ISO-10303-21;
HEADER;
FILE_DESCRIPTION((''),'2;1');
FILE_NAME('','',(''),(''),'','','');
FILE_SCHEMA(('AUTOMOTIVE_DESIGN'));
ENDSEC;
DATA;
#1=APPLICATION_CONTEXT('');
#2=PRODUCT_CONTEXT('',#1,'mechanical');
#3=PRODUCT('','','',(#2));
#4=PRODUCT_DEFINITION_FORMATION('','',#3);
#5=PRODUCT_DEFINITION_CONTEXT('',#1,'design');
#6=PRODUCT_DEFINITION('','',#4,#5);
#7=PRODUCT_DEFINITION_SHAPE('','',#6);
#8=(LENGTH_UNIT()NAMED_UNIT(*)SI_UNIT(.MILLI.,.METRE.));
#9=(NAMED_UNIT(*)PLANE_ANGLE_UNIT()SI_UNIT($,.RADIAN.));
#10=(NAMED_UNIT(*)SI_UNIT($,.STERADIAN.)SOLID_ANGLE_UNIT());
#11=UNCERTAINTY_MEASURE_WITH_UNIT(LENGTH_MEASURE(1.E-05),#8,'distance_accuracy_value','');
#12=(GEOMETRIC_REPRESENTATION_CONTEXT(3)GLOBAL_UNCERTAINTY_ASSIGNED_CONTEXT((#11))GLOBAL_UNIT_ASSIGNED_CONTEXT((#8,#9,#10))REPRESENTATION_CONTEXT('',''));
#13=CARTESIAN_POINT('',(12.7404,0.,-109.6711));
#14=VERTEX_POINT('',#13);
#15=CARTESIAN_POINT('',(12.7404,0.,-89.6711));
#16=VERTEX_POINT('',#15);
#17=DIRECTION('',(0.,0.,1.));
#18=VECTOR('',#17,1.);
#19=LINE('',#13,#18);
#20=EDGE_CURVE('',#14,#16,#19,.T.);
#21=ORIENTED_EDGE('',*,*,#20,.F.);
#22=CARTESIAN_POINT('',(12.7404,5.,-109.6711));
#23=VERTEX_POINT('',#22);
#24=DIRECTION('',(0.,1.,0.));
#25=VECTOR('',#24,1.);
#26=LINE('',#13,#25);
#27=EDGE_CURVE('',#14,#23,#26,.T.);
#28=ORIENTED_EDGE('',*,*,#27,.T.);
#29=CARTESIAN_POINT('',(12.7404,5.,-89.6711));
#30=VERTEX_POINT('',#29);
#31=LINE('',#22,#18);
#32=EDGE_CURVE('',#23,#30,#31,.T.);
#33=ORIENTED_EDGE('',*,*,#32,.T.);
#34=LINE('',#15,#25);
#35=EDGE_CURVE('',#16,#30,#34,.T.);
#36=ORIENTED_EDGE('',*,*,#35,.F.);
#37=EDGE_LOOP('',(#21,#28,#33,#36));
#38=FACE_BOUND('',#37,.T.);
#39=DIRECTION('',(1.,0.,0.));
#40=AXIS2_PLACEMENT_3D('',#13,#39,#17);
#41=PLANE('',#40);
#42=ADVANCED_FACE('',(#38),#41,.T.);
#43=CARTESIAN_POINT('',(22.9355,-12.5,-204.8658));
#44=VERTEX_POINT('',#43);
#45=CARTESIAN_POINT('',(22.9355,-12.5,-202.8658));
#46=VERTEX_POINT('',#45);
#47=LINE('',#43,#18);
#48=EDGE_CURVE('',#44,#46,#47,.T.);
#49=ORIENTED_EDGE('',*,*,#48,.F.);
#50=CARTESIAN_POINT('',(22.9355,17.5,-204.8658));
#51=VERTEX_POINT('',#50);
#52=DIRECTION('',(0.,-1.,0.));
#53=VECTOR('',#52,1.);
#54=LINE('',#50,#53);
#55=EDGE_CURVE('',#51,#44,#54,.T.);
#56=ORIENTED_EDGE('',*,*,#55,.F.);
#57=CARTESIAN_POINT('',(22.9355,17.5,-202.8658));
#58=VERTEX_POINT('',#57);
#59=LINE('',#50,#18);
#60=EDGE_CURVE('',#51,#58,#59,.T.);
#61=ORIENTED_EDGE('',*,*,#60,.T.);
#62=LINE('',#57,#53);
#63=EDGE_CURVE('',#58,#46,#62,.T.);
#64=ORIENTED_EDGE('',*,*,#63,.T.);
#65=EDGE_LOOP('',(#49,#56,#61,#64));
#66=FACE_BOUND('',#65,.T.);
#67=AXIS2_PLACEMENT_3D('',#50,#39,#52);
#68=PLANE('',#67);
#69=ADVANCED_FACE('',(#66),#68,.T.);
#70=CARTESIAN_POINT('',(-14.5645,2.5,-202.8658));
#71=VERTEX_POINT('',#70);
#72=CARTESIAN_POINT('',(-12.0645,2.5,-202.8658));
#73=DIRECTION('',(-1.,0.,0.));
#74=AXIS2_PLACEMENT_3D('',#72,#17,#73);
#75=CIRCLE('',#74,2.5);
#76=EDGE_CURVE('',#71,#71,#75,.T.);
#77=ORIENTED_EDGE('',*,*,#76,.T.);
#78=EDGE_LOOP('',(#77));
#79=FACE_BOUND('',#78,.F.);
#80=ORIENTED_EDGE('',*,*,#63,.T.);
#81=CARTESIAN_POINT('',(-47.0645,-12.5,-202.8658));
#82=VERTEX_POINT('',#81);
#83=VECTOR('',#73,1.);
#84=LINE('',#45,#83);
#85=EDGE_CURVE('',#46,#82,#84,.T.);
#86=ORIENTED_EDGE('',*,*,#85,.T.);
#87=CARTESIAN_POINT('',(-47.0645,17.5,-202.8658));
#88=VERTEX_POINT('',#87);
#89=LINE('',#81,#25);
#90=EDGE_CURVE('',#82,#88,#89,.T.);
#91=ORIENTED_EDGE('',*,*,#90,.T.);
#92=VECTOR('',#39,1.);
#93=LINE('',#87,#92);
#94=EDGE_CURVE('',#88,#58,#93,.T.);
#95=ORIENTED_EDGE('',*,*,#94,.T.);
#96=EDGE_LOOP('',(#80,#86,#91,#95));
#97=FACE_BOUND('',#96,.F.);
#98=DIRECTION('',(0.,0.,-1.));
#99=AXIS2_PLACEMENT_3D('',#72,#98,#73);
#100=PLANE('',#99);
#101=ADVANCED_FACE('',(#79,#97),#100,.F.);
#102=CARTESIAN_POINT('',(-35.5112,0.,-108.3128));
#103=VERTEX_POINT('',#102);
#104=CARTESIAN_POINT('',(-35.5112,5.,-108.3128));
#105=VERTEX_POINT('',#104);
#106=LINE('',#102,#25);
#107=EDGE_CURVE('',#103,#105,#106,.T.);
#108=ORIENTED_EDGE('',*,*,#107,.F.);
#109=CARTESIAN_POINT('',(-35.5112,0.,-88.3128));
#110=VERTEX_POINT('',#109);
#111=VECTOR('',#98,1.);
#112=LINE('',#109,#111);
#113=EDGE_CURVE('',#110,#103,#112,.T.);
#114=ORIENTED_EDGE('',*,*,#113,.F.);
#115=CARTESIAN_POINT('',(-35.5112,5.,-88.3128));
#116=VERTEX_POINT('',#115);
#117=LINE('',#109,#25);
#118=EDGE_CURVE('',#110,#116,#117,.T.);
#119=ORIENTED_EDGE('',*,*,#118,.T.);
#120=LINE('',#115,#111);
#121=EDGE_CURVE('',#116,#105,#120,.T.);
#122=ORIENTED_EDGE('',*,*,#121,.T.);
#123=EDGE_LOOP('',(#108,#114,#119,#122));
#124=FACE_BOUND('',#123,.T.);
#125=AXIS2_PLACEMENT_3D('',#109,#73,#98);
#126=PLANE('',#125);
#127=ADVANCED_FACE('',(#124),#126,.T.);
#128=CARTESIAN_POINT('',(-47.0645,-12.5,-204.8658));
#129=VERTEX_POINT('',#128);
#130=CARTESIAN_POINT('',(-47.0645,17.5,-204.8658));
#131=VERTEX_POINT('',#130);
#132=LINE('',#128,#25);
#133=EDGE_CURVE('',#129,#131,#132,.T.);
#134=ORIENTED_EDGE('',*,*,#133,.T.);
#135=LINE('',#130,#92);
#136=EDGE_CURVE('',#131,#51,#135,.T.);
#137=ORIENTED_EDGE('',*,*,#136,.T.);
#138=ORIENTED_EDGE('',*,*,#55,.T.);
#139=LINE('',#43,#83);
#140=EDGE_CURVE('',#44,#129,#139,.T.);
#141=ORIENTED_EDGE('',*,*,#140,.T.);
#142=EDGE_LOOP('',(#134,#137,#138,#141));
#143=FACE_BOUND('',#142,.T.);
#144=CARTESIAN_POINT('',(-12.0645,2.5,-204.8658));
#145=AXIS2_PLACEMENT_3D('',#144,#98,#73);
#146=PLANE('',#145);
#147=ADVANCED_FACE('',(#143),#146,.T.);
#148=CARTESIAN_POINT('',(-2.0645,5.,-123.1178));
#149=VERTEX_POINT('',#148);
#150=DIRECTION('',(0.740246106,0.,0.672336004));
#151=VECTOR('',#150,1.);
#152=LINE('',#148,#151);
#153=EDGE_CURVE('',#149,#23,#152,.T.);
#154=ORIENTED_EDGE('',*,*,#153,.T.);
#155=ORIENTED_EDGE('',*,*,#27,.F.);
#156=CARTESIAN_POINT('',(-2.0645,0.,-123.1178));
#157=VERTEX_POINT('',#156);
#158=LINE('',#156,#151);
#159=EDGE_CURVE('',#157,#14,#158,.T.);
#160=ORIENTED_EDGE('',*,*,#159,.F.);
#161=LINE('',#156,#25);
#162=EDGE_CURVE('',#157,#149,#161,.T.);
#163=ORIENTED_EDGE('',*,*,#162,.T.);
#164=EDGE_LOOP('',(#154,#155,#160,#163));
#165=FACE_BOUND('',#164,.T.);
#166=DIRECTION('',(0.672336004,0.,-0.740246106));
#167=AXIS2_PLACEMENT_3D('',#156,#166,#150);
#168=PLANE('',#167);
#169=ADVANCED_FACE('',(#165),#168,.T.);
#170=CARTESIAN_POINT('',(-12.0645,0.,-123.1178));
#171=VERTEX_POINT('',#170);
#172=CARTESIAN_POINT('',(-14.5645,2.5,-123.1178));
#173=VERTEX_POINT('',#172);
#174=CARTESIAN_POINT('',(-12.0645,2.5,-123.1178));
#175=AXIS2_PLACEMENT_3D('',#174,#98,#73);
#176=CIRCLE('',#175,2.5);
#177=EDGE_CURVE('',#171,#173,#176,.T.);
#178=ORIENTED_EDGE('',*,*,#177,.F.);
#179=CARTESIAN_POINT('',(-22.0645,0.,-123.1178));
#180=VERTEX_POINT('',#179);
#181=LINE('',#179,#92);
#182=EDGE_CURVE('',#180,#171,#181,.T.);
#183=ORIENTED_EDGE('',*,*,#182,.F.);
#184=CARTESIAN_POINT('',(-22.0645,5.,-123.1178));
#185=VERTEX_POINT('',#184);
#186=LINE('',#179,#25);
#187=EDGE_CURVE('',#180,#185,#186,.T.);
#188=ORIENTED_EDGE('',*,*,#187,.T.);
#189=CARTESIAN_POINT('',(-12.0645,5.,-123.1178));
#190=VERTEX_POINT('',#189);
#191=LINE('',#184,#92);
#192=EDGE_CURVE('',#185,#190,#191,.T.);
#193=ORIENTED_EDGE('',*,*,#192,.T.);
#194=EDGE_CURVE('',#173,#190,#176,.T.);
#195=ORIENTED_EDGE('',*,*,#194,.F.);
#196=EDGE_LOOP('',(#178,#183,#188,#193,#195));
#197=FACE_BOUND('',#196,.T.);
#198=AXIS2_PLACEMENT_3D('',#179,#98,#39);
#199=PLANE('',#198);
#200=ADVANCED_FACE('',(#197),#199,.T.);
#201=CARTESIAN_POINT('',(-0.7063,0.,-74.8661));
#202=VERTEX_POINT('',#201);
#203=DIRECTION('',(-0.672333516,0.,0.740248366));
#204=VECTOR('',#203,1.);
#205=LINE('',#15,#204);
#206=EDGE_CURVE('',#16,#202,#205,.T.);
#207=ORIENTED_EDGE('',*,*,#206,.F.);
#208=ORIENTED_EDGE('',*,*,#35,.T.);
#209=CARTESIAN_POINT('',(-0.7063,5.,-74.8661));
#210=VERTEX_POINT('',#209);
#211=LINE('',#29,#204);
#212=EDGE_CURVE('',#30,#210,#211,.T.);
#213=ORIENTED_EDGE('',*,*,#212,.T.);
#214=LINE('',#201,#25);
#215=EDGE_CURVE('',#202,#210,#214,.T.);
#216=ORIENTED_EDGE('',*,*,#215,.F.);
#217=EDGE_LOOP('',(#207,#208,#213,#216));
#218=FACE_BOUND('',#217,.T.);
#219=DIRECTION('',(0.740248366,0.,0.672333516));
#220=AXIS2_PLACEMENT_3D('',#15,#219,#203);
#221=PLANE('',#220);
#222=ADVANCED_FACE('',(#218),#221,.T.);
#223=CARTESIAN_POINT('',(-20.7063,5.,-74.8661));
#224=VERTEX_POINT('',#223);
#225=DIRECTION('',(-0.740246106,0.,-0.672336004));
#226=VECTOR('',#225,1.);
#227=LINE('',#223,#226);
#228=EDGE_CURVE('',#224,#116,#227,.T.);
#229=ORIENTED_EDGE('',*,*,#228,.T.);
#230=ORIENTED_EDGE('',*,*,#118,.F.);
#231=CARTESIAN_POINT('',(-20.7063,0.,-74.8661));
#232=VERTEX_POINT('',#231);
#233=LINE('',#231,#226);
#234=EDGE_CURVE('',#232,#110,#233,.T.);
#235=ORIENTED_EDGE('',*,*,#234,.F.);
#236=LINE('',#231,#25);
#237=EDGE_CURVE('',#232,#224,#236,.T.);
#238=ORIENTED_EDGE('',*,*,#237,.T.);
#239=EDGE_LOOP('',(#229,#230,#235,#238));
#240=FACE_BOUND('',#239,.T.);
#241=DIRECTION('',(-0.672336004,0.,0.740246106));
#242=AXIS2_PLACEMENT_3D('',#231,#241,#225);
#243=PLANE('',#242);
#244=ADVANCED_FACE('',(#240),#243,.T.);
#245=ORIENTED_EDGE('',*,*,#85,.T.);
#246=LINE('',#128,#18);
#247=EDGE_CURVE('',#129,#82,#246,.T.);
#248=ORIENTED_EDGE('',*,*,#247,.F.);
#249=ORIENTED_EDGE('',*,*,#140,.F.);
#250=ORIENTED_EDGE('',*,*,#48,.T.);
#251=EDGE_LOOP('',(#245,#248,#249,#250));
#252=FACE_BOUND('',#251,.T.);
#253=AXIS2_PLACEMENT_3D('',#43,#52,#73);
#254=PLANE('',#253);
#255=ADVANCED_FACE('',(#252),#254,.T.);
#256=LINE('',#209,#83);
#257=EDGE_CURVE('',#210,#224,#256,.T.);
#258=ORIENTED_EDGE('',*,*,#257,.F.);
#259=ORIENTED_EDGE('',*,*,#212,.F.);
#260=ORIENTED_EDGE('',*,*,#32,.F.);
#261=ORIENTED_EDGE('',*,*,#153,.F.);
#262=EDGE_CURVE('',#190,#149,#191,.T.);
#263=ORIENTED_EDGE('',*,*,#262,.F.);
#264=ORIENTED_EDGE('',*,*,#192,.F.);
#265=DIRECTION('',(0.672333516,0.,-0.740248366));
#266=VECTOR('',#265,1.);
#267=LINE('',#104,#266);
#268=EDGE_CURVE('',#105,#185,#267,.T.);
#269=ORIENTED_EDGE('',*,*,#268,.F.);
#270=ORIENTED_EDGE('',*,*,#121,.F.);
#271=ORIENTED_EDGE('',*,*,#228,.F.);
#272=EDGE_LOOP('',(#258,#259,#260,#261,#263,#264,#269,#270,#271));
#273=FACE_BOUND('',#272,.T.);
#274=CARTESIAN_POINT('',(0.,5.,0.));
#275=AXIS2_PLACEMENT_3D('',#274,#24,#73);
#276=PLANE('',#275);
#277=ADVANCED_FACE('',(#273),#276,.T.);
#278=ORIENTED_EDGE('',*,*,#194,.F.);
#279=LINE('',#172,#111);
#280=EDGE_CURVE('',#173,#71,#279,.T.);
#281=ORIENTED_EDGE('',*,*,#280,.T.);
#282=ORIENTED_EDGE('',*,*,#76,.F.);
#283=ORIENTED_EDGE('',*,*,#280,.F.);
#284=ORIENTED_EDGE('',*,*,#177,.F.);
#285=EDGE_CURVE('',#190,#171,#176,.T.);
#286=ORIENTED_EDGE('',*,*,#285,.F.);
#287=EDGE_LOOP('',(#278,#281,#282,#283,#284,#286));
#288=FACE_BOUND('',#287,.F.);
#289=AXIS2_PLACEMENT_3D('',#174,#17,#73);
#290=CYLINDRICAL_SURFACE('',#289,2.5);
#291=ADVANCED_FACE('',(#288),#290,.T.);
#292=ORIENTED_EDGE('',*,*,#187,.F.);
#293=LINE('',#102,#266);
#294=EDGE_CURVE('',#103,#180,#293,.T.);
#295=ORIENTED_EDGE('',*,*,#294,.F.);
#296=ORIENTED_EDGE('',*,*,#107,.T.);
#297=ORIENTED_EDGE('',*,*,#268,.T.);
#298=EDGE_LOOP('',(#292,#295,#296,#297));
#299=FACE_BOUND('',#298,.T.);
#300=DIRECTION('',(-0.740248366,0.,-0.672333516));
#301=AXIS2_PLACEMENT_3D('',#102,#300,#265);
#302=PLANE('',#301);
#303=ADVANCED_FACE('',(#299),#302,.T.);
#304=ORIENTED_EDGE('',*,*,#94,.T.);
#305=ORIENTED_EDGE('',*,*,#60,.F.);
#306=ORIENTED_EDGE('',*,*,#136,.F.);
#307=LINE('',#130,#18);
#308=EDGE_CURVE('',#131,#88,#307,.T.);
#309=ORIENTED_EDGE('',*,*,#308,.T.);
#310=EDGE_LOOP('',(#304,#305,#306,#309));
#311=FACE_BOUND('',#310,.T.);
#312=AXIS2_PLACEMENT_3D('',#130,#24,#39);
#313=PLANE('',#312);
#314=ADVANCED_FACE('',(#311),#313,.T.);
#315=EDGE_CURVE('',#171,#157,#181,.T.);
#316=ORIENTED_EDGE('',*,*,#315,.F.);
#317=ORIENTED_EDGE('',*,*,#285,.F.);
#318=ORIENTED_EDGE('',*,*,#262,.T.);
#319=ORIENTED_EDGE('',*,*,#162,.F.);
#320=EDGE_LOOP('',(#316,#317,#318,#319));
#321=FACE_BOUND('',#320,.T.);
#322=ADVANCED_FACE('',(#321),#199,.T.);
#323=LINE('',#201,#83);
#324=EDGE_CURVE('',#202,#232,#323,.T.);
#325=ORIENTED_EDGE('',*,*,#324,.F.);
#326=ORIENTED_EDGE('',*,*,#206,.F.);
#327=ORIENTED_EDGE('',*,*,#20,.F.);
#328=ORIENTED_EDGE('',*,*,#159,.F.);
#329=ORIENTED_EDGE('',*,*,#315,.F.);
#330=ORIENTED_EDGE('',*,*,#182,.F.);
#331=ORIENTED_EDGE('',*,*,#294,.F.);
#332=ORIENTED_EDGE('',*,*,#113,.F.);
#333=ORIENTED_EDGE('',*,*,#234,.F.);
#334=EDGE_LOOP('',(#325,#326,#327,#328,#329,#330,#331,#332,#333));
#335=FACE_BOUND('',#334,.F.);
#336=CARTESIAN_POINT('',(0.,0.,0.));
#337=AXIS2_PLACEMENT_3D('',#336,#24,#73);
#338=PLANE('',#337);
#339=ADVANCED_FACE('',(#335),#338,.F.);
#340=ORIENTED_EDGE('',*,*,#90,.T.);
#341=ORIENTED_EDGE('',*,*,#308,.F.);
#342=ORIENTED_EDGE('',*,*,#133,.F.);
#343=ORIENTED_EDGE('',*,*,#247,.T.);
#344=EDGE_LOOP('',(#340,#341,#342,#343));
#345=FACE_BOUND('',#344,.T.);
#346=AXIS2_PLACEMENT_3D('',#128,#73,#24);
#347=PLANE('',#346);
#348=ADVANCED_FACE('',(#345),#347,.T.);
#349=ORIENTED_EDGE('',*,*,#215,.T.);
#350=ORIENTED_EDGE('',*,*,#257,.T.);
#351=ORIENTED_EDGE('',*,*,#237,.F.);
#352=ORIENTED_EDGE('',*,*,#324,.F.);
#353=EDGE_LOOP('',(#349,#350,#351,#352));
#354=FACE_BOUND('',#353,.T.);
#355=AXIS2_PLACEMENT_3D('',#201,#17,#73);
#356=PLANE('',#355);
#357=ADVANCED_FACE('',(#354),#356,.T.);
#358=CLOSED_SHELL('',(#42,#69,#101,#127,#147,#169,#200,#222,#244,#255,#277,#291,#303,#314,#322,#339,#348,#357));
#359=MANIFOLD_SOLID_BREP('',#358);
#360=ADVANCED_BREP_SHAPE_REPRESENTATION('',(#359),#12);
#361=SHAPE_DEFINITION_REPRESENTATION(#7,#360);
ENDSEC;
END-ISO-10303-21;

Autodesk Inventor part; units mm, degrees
ref_plane "YZ Plane" through (0, 0, 0) normal (1, 0, 0) x (0, 1, 0)
ref_plane "XZ Plane" through (0, 0, 0) normal (0, 1, 0) x (-1, 0, 0)
ref_plane "XY Plane" through (0, 0, 0) normal (0, 0, 1) x (1, 0, 0)
sketch "Skizze1" plane through (0, 0, 0) normal (0, 1, 0) x (-1, 0, 0)
  line L0 (35.5112, -88.3128) -> (35.5112, -108.3128)
  line L1 (35.5112, -108.3128) -> (22.0645, -123.1178)
  line L2 (22.0645, -123.1178) -> (2.0645, -123.1178)
  line L3 (2.0645, -123.1178) -> (-12.7404, -109.6711)
  line L4 (-12.7404, -109.6711) -> (-12.7404, -89.6711)
  line L5 (-12.7404, -89.6711) -> (0.7063, -74.8661)
  line L6 (0.7063, -74.8661) -> (20.7063, -74.8661)
  line L7 (20.7063, -74.8661) -> (35.5112, -88.3128)
  point P0 (0, 0)
  dimension "d0" = 20
  dimension "d1" = 20
  dimension "d2" = 20
  dimension "d3" = 20
  dimension "d4" = 20
  dimension "d5" = 20
  dimension "d6" = 20
  dimension "d7" = 20
extrude "Extrusion1" add sketch "Skizze1" along normal blind 5
sketch "Skizze2" plane through (-2.0645, 0, -123.1178) normal (0, 0, -1) x (-1, 0, 0)
  circle A0 centre (10, 2.5) radius 2.5
  line L0 (0, 5) -> (20, 5) projected
  point P0 (-2.0645, 0)
  dimension "d11" = 5
  dimension "d12" = 2.5
extrude "Extrusion2" add sketch "Skizze2" along normal blind 81.748
sketch "Skizze3" plane through (-12.0645, 2.5, -204.8658) normal (0, 0, -1) x (-1, 0, 0)
  line L0 (-35, -15) -> (35, -15)
  line L1 (35, -15) -> (35, 15)
  line L2 (35, 15) -> (-35, 15)
  line L3 (-35, 15) -> (-35, -15)
  arc A0 (0, -2.5) -> (0, 2.5) centre (0, 0) ccw projected
  line L4 (-35, -15) -> (35, 15) construction
  line L5 (35, -15) -> (-35, 15) construction
  point P0 (-12.0645, -2.5)
  point P1 (-2.7951, -2.5)
  point P2 (-2.7951, 2.5)
  dimension "d15" = 70
  dimension "d16" = 30
extrude "Extrusion3" add sketch "Skizze3" against normal blind 2
properties part number "Stoppschild"
